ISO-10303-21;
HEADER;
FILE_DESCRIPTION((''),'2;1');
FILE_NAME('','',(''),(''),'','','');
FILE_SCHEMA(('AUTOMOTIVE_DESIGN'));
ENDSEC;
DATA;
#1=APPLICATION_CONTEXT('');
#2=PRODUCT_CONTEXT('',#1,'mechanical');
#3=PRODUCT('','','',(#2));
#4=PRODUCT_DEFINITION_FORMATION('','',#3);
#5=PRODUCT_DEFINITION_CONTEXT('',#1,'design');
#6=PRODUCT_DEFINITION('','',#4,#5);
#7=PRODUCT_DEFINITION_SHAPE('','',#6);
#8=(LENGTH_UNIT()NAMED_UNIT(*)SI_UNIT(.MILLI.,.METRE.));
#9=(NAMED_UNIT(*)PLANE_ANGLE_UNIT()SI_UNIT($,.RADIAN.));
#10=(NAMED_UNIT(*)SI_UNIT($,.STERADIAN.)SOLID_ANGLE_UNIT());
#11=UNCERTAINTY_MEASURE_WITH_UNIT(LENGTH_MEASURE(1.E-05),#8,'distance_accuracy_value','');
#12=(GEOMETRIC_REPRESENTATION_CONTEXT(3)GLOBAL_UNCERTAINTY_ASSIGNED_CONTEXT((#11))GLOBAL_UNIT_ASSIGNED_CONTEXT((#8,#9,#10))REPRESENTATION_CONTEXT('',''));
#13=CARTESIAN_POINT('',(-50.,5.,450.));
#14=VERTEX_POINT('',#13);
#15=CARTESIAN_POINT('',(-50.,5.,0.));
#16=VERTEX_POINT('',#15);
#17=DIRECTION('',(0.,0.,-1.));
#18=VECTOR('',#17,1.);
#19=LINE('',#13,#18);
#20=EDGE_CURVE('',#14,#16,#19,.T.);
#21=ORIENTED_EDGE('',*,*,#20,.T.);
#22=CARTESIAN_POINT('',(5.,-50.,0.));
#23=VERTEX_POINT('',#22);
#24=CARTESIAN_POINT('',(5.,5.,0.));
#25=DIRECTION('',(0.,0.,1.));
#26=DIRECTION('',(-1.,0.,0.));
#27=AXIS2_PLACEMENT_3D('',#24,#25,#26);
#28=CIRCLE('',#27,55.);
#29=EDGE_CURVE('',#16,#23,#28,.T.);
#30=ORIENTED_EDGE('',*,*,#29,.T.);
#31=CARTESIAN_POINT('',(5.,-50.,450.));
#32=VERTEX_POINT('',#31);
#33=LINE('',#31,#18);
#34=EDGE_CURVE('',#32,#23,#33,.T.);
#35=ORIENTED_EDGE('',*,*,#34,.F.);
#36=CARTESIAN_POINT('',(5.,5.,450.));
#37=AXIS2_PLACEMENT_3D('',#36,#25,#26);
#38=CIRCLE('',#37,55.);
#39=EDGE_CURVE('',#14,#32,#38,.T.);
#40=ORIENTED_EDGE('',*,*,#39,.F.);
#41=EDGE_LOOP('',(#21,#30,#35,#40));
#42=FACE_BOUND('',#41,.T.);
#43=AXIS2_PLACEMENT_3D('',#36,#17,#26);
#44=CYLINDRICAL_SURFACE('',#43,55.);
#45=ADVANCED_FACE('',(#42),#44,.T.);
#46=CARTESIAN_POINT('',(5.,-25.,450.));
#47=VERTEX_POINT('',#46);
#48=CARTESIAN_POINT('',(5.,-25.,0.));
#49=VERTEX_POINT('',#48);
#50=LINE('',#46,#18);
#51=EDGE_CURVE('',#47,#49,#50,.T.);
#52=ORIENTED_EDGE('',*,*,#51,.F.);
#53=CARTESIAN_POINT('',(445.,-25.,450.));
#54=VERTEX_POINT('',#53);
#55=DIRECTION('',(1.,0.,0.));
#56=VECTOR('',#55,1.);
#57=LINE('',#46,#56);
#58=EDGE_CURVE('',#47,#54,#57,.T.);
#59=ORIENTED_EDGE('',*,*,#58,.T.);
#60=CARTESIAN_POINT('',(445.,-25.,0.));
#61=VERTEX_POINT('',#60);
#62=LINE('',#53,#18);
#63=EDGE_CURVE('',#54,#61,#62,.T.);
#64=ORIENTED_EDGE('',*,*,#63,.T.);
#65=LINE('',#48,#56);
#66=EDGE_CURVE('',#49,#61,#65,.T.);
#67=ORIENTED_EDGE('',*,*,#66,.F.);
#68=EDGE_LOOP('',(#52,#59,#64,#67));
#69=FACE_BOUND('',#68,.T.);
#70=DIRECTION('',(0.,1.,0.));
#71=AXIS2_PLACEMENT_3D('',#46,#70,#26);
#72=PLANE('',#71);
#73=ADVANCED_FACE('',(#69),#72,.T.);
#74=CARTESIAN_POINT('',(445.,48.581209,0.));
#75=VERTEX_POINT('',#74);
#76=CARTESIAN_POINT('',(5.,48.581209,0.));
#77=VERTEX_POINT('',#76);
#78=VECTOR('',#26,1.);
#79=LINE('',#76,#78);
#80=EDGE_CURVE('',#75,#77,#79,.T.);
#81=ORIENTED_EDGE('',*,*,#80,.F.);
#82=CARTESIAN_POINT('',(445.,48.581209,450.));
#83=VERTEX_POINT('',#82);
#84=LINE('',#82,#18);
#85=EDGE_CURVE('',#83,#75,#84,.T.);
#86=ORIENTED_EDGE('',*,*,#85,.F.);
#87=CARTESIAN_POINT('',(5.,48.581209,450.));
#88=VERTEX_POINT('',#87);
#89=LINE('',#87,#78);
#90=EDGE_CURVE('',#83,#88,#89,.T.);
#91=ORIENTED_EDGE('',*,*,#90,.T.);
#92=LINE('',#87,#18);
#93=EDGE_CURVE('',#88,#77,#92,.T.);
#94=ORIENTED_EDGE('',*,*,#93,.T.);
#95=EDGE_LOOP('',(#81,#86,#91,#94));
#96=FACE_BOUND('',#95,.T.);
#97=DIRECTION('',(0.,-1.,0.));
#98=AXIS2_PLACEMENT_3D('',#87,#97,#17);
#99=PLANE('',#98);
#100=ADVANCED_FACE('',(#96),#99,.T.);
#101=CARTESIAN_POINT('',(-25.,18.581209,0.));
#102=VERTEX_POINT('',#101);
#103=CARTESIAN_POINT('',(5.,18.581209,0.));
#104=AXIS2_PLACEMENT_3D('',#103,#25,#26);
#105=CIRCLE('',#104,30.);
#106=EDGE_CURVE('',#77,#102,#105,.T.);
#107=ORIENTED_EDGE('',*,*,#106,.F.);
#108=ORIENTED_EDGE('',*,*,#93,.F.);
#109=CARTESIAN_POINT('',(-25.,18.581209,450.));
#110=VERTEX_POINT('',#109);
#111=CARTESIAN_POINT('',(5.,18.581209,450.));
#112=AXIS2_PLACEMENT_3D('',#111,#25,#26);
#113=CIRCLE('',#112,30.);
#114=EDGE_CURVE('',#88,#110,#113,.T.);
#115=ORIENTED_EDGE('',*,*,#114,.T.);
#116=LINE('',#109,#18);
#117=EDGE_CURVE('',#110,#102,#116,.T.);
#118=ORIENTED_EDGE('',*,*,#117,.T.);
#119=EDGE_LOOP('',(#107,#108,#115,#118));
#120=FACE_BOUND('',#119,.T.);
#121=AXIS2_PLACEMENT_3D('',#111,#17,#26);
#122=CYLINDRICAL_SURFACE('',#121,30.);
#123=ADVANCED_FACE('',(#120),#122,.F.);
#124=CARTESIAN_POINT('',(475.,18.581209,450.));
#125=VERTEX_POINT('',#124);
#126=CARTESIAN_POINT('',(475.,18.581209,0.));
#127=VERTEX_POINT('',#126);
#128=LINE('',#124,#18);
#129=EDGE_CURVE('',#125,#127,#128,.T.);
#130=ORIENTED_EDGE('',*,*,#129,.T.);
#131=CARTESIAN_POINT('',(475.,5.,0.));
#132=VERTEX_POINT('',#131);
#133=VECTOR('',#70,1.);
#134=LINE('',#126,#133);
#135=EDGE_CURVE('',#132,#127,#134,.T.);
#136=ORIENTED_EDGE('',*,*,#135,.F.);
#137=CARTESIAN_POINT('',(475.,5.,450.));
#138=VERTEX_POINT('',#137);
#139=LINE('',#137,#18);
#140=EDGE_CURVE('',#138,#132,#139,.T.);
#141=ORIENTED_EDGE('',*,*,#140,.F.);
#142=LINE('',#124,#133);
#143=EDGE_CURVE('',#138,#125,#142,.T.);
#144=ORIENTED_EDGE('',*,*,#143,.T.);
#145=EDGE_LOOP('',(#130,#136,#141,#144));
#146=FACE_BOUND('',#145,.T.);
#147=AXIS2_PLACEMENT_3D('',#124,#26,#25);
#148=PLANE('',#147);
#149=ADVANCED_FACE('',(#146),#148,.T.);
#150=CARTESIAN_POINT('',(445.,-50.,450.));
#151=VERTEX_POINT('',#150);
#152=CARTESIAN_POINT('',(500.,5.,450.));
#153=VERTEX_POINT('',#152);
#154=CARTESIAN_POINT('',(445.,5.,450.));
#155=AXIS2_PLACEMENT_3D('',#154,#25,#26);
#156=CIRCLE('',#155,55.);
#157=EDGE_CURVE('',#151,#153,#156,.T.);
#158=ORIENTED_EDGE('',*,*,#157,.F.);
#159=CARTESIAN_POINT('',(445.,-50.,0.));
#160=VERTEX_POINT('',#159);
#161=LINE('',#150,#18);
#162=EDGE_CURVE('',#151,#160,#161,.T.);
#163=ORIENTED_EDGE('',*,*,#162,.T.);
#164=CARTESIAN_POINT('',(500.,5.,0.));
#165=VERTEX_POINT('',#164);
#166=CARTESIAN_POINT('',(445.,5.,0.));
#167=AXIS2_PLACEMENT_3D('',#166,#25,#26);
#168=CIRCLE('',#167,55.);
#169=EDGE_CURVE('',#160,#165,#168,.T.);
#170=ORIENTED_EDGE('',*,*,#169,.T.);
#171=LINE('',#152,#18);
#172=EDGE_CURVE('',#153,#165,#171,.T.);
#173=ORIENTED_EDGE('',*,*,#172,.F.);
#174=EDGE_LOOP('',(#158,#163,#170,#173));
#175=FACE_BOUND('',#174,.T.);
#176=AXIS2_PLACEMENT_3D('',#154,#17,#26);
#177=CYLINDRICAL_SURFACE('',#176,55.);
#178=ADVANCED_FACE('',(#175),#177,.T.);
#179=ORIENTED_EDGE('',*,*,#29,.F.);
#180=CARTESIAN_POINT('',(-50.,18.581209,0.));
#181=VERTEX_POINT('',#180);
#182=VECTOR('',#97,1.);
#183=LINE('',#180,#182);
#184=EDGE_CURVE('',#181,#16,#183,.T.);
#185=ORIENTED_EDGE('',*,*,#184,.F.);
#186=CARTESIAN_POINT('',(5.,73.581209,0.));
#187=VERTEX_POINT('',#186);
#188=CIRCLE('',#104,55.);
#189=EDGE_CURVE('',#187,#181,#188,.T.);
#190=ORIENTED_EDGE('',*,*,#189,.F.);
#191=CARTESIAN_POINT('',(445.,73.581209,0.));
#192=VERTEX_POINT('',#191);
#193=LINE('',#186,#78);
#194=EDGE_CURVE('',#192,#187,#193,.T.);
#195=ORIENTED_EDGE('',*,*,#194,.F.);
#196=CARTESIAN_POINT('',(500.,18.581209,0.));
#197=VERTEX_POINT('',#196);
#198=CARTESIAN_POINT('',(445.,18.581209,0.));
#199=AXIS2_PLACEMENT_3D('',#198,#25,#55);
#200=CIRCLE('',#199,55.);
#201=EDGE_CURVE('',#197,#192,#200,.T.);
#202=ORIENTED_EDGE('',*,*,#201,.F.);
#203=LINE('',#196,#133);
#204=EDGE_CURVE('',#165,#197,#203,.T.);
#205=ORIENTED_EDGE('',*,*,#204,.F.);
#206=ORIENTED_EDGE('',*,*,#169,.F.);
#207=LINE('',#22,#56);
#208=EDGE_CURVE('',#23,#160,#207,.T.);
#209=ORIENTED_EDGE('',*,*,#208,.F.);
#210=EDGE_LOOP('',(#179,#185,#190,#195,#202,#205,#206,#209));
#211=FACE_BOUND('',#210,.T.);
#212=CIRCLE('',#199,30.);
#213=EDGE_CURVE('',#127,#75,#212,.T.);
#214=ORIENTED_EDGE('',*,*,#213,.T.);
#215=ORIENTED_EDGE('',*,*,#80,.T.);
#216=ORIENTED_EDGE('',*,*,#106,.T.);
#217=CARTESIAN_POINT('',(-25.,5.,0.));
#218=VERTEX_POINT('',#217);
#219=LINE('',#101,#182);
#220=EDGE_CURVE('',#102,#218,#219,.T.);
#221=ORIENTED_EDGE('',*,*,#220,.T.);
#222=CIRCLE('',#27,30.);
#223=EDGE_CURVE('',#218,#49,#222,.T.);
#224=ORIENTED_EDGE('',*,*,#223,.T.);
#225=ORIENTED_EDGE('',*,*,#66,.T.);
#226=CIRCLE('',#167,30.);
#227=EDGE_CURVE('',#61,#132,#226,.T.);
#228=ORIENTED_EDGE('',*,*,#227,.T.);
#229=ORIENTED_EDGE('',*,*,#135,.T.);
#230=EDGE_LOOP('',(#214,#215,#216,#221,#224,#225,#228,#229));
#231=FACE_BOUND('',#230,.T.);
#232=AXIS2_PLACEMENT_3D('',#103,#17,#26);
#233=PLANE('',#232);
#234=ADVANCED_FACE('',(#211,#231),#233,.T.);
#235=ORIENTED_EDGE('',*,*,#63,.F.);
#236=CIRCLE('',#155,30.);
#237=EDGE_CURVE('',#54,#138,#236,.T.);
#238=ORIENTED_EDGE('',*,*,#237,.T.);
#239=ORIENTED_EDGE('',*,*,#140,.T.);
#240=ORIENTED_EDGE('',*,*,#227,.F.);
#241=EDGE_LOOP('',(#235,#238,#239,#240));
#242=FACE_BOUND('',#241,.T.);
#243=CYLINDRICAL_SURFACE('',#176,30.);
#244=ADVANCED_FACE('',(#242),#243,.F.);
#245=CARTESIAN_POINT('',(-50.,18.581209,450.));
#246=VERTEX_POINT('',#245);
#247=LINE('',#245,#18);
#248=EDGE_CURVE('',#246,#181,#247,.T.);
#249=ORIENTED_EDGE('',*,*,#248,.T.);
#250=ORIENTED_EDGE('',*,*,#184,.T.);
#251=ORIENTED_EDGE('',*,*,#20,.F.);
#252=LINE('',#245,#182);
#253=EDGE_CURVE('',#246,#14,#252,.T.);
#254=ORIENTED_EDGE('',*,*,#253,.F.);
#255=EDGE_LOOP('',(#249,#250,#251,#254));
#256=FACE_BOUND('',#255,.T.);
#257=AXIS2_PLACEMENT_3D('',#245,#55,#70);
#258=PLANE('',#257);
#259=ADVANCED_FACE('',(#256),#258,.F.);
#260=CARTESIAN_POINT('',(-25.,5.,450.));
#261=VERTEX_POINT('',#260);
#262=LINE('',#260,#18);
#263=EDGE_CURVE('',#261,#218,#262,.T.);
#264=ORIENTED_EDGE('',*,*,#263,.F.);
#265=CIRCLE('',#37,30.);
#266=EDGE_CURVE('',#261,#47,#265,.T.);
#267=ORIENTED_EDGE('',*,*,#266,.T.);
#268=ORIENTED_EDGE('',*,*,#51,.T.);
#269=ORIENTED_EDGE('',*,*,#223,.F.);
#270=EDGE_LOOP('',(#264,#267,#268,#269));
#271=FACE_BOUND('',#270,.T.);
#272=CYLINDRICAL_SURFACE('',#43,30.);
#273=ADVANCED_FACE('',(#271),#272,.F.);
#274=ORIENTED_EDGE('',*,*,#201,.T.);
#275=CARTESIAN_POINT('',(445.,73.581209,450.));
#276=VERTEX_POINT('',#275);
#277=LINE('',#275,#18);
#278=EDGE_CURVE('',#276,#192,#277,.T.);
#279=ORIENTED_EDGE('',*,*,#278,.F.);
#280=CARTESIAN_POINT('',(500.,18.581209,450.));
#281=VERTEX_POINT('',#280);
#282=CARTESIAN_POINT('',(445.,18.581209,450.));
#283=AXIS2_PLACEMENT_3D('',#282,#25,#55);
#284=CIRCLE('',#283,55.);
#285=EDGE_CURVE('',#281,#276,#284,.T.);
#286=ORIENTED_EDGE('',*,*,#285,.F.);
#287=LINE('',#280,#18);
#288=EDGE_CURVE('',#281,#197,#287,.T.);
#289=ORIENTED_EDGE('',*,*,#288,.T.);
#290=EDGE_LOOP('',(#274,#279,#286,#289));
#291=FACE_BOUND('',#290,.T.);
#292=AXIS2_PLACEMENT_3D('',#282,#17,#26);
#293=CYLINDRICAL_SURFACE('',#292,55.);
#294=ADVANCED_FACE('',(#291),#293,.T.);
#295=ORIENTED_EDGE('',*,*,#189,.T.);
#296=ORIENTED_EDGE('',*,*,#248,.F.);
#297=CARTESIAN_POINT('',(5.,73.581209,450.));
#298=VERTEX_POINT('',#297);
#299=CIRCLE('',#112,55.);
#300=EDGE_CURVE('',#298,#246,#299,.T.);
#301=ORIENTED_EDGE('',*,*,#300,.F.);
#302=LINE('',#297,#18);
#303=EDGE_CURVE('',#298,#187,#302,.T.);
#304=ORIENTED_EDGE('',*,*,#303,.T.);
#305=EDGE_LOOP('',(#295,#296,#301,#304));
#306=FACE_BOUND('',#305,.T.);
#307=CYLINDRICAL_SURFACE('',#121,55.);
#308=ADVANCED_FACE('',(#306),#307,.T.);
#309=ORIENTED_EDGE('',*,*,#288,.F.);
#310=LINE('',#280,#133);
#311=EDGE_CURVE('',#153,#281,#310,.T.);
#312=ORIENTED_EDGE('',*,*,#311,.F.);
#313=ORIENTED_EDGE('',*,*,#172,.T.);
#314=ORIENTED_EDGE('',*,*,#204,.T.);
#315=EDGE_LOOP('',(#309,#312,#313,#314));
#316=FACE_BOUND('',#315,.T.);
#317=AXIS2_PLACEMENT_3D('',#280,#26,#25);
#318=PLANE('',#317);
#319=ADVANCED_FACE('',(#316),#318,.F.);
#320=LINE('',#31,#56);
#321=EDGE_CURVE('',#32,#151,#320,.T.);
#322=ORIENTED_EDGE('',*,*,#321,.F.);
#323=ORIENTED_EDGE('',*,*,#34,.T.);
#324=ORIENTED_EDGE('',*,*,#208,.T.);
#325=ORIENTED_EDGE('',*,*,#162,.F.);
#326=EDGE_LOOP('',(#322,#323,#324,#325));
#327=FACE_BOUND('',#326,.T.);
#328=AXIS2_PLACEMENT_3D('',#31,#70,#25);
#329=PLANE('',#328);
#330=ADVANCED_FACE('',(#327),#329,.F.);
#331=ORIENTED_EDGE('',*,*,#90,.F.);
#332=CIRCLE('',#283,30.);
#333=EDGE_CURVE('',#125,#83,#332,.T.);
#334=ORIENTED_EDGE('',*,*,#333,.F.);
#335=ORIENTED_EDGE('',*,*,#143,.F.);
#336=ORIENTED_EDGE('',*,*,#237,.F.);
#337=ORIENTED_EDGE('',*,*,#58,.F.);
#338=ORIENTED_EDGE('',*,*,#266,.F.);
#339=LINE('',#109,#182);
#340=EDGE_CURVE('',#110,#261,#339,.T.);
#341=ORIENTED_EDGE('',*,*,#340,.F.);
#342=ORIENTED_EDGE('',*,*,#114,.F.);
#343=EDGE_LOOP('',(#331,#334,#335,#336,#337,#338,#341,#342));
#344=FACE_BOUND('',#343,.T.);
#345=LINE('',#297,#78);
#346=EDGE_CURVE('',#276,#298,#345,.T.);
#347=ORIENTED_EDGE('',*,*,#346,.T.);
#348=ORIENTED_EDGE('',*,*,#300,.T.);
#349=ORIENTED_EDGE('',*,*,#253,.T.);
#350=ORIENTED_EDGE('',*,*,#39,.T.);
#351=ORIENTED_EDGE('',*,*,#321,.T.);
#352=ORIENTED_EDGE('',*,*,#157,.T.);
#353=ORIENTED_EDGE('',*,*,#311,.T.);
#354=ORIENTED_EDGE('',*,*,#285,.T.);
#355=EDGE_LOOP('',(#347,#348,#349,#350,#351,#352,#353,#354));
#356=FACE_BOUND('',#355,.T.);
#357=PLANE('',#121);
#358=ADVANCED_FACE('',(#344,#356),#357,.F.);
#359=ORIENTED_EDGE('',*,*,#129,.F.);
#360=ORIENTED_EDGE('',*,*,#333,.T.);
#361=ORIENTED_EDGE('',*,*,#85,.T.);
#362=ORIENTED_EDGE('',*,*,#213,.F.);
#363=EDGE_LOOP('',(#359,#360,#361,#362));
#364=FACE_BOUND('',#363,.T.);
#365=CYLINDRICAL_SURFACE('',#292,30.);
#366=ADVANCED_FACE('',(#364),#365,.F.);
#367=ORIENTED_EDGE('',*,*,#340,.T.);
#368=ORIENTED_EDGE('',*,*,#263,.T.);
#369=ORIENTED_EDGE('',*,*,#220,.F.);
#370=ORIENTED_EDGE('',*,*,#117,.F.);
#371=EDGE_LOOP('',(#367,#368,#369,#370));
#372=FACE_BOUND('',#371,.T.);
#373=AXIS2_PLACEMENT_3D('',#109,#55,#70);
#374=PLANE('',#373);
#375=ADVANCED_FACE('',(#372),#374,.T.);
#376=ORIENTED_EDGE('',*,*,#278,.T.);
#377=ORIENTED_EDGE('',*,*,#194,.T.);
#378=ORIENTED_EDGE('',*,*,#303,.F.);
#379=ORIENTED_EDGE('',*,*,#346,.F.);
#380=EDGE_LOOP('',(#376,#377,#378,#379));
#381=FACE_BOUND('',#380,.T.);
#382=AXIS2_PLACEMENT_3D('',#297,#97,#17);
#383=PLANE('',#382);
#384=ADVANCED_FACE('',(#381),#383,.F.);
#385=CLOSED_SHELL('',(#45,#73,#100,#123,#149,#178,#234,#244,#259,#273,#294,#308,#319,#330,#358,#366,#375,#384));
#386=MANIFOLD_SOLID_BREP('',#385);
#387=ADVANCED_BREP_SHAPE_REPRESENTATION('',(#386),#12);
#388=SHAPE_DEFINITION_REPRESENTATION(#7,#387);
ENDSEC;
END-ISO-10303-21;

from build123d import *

# Parameters (mm, degrees)
BOSS_EXTRUDE1_DEPTH = 450


with BuildPart() as part:
    # Sketch1 → Boss-Extrude1 (new body)
    with BuildSketch(Plane.XY):
        with BuildLine():
            Line((5, 73.581208516), (445, 73.581208516))
            ThreePointArc((445, 73.581208516), (483.890872965, 57.472081481), (500, 18.581208516))
            Line((500, 18.581208516), (500, 5))
            ThreePointArc((500, 5), (483.890872965, -33.890872965), (445, -50))
            Line((445, -50), (5, -50))
            ThreePointArc((5, -50), (-33.890872965, -33.890872965), (-50, 5))
            Line((-50, 5), (-50, 18.581208516))
            ThreePointArc((-50, 18.581208516), (-33.890872965, 57.472081481), (5, 73.581208516))
        make_face()
        with BuildLine():
            Line((5, 48.581208516), (445, 48.581208516))
            ThreePointArc((445, 48.581208516), (466.213203436, 39.794411951), (475, 18.581208516))
            Line((475, 18.581208516), (475, 5))
            ThreePointArc((475, 5), (466.213203436, -16.213203436), (445, -25))
            Line((445, -25), (5, -25))
            ThreePointArc((5, -25), (-16.213203436, -16.213203436), (-25, 5))
            Line((-25, 5), (-25, 18.581208516))
            ThreePointArc((-25, 18.581208516), (-16.213203436, 39.794411951), (5, 48.581208516))
        make_face(mode=Mode.SUBTRACT)
    extrude(amount=BOSS_EXTRUDE1_DEPTH)


solid = part.part
